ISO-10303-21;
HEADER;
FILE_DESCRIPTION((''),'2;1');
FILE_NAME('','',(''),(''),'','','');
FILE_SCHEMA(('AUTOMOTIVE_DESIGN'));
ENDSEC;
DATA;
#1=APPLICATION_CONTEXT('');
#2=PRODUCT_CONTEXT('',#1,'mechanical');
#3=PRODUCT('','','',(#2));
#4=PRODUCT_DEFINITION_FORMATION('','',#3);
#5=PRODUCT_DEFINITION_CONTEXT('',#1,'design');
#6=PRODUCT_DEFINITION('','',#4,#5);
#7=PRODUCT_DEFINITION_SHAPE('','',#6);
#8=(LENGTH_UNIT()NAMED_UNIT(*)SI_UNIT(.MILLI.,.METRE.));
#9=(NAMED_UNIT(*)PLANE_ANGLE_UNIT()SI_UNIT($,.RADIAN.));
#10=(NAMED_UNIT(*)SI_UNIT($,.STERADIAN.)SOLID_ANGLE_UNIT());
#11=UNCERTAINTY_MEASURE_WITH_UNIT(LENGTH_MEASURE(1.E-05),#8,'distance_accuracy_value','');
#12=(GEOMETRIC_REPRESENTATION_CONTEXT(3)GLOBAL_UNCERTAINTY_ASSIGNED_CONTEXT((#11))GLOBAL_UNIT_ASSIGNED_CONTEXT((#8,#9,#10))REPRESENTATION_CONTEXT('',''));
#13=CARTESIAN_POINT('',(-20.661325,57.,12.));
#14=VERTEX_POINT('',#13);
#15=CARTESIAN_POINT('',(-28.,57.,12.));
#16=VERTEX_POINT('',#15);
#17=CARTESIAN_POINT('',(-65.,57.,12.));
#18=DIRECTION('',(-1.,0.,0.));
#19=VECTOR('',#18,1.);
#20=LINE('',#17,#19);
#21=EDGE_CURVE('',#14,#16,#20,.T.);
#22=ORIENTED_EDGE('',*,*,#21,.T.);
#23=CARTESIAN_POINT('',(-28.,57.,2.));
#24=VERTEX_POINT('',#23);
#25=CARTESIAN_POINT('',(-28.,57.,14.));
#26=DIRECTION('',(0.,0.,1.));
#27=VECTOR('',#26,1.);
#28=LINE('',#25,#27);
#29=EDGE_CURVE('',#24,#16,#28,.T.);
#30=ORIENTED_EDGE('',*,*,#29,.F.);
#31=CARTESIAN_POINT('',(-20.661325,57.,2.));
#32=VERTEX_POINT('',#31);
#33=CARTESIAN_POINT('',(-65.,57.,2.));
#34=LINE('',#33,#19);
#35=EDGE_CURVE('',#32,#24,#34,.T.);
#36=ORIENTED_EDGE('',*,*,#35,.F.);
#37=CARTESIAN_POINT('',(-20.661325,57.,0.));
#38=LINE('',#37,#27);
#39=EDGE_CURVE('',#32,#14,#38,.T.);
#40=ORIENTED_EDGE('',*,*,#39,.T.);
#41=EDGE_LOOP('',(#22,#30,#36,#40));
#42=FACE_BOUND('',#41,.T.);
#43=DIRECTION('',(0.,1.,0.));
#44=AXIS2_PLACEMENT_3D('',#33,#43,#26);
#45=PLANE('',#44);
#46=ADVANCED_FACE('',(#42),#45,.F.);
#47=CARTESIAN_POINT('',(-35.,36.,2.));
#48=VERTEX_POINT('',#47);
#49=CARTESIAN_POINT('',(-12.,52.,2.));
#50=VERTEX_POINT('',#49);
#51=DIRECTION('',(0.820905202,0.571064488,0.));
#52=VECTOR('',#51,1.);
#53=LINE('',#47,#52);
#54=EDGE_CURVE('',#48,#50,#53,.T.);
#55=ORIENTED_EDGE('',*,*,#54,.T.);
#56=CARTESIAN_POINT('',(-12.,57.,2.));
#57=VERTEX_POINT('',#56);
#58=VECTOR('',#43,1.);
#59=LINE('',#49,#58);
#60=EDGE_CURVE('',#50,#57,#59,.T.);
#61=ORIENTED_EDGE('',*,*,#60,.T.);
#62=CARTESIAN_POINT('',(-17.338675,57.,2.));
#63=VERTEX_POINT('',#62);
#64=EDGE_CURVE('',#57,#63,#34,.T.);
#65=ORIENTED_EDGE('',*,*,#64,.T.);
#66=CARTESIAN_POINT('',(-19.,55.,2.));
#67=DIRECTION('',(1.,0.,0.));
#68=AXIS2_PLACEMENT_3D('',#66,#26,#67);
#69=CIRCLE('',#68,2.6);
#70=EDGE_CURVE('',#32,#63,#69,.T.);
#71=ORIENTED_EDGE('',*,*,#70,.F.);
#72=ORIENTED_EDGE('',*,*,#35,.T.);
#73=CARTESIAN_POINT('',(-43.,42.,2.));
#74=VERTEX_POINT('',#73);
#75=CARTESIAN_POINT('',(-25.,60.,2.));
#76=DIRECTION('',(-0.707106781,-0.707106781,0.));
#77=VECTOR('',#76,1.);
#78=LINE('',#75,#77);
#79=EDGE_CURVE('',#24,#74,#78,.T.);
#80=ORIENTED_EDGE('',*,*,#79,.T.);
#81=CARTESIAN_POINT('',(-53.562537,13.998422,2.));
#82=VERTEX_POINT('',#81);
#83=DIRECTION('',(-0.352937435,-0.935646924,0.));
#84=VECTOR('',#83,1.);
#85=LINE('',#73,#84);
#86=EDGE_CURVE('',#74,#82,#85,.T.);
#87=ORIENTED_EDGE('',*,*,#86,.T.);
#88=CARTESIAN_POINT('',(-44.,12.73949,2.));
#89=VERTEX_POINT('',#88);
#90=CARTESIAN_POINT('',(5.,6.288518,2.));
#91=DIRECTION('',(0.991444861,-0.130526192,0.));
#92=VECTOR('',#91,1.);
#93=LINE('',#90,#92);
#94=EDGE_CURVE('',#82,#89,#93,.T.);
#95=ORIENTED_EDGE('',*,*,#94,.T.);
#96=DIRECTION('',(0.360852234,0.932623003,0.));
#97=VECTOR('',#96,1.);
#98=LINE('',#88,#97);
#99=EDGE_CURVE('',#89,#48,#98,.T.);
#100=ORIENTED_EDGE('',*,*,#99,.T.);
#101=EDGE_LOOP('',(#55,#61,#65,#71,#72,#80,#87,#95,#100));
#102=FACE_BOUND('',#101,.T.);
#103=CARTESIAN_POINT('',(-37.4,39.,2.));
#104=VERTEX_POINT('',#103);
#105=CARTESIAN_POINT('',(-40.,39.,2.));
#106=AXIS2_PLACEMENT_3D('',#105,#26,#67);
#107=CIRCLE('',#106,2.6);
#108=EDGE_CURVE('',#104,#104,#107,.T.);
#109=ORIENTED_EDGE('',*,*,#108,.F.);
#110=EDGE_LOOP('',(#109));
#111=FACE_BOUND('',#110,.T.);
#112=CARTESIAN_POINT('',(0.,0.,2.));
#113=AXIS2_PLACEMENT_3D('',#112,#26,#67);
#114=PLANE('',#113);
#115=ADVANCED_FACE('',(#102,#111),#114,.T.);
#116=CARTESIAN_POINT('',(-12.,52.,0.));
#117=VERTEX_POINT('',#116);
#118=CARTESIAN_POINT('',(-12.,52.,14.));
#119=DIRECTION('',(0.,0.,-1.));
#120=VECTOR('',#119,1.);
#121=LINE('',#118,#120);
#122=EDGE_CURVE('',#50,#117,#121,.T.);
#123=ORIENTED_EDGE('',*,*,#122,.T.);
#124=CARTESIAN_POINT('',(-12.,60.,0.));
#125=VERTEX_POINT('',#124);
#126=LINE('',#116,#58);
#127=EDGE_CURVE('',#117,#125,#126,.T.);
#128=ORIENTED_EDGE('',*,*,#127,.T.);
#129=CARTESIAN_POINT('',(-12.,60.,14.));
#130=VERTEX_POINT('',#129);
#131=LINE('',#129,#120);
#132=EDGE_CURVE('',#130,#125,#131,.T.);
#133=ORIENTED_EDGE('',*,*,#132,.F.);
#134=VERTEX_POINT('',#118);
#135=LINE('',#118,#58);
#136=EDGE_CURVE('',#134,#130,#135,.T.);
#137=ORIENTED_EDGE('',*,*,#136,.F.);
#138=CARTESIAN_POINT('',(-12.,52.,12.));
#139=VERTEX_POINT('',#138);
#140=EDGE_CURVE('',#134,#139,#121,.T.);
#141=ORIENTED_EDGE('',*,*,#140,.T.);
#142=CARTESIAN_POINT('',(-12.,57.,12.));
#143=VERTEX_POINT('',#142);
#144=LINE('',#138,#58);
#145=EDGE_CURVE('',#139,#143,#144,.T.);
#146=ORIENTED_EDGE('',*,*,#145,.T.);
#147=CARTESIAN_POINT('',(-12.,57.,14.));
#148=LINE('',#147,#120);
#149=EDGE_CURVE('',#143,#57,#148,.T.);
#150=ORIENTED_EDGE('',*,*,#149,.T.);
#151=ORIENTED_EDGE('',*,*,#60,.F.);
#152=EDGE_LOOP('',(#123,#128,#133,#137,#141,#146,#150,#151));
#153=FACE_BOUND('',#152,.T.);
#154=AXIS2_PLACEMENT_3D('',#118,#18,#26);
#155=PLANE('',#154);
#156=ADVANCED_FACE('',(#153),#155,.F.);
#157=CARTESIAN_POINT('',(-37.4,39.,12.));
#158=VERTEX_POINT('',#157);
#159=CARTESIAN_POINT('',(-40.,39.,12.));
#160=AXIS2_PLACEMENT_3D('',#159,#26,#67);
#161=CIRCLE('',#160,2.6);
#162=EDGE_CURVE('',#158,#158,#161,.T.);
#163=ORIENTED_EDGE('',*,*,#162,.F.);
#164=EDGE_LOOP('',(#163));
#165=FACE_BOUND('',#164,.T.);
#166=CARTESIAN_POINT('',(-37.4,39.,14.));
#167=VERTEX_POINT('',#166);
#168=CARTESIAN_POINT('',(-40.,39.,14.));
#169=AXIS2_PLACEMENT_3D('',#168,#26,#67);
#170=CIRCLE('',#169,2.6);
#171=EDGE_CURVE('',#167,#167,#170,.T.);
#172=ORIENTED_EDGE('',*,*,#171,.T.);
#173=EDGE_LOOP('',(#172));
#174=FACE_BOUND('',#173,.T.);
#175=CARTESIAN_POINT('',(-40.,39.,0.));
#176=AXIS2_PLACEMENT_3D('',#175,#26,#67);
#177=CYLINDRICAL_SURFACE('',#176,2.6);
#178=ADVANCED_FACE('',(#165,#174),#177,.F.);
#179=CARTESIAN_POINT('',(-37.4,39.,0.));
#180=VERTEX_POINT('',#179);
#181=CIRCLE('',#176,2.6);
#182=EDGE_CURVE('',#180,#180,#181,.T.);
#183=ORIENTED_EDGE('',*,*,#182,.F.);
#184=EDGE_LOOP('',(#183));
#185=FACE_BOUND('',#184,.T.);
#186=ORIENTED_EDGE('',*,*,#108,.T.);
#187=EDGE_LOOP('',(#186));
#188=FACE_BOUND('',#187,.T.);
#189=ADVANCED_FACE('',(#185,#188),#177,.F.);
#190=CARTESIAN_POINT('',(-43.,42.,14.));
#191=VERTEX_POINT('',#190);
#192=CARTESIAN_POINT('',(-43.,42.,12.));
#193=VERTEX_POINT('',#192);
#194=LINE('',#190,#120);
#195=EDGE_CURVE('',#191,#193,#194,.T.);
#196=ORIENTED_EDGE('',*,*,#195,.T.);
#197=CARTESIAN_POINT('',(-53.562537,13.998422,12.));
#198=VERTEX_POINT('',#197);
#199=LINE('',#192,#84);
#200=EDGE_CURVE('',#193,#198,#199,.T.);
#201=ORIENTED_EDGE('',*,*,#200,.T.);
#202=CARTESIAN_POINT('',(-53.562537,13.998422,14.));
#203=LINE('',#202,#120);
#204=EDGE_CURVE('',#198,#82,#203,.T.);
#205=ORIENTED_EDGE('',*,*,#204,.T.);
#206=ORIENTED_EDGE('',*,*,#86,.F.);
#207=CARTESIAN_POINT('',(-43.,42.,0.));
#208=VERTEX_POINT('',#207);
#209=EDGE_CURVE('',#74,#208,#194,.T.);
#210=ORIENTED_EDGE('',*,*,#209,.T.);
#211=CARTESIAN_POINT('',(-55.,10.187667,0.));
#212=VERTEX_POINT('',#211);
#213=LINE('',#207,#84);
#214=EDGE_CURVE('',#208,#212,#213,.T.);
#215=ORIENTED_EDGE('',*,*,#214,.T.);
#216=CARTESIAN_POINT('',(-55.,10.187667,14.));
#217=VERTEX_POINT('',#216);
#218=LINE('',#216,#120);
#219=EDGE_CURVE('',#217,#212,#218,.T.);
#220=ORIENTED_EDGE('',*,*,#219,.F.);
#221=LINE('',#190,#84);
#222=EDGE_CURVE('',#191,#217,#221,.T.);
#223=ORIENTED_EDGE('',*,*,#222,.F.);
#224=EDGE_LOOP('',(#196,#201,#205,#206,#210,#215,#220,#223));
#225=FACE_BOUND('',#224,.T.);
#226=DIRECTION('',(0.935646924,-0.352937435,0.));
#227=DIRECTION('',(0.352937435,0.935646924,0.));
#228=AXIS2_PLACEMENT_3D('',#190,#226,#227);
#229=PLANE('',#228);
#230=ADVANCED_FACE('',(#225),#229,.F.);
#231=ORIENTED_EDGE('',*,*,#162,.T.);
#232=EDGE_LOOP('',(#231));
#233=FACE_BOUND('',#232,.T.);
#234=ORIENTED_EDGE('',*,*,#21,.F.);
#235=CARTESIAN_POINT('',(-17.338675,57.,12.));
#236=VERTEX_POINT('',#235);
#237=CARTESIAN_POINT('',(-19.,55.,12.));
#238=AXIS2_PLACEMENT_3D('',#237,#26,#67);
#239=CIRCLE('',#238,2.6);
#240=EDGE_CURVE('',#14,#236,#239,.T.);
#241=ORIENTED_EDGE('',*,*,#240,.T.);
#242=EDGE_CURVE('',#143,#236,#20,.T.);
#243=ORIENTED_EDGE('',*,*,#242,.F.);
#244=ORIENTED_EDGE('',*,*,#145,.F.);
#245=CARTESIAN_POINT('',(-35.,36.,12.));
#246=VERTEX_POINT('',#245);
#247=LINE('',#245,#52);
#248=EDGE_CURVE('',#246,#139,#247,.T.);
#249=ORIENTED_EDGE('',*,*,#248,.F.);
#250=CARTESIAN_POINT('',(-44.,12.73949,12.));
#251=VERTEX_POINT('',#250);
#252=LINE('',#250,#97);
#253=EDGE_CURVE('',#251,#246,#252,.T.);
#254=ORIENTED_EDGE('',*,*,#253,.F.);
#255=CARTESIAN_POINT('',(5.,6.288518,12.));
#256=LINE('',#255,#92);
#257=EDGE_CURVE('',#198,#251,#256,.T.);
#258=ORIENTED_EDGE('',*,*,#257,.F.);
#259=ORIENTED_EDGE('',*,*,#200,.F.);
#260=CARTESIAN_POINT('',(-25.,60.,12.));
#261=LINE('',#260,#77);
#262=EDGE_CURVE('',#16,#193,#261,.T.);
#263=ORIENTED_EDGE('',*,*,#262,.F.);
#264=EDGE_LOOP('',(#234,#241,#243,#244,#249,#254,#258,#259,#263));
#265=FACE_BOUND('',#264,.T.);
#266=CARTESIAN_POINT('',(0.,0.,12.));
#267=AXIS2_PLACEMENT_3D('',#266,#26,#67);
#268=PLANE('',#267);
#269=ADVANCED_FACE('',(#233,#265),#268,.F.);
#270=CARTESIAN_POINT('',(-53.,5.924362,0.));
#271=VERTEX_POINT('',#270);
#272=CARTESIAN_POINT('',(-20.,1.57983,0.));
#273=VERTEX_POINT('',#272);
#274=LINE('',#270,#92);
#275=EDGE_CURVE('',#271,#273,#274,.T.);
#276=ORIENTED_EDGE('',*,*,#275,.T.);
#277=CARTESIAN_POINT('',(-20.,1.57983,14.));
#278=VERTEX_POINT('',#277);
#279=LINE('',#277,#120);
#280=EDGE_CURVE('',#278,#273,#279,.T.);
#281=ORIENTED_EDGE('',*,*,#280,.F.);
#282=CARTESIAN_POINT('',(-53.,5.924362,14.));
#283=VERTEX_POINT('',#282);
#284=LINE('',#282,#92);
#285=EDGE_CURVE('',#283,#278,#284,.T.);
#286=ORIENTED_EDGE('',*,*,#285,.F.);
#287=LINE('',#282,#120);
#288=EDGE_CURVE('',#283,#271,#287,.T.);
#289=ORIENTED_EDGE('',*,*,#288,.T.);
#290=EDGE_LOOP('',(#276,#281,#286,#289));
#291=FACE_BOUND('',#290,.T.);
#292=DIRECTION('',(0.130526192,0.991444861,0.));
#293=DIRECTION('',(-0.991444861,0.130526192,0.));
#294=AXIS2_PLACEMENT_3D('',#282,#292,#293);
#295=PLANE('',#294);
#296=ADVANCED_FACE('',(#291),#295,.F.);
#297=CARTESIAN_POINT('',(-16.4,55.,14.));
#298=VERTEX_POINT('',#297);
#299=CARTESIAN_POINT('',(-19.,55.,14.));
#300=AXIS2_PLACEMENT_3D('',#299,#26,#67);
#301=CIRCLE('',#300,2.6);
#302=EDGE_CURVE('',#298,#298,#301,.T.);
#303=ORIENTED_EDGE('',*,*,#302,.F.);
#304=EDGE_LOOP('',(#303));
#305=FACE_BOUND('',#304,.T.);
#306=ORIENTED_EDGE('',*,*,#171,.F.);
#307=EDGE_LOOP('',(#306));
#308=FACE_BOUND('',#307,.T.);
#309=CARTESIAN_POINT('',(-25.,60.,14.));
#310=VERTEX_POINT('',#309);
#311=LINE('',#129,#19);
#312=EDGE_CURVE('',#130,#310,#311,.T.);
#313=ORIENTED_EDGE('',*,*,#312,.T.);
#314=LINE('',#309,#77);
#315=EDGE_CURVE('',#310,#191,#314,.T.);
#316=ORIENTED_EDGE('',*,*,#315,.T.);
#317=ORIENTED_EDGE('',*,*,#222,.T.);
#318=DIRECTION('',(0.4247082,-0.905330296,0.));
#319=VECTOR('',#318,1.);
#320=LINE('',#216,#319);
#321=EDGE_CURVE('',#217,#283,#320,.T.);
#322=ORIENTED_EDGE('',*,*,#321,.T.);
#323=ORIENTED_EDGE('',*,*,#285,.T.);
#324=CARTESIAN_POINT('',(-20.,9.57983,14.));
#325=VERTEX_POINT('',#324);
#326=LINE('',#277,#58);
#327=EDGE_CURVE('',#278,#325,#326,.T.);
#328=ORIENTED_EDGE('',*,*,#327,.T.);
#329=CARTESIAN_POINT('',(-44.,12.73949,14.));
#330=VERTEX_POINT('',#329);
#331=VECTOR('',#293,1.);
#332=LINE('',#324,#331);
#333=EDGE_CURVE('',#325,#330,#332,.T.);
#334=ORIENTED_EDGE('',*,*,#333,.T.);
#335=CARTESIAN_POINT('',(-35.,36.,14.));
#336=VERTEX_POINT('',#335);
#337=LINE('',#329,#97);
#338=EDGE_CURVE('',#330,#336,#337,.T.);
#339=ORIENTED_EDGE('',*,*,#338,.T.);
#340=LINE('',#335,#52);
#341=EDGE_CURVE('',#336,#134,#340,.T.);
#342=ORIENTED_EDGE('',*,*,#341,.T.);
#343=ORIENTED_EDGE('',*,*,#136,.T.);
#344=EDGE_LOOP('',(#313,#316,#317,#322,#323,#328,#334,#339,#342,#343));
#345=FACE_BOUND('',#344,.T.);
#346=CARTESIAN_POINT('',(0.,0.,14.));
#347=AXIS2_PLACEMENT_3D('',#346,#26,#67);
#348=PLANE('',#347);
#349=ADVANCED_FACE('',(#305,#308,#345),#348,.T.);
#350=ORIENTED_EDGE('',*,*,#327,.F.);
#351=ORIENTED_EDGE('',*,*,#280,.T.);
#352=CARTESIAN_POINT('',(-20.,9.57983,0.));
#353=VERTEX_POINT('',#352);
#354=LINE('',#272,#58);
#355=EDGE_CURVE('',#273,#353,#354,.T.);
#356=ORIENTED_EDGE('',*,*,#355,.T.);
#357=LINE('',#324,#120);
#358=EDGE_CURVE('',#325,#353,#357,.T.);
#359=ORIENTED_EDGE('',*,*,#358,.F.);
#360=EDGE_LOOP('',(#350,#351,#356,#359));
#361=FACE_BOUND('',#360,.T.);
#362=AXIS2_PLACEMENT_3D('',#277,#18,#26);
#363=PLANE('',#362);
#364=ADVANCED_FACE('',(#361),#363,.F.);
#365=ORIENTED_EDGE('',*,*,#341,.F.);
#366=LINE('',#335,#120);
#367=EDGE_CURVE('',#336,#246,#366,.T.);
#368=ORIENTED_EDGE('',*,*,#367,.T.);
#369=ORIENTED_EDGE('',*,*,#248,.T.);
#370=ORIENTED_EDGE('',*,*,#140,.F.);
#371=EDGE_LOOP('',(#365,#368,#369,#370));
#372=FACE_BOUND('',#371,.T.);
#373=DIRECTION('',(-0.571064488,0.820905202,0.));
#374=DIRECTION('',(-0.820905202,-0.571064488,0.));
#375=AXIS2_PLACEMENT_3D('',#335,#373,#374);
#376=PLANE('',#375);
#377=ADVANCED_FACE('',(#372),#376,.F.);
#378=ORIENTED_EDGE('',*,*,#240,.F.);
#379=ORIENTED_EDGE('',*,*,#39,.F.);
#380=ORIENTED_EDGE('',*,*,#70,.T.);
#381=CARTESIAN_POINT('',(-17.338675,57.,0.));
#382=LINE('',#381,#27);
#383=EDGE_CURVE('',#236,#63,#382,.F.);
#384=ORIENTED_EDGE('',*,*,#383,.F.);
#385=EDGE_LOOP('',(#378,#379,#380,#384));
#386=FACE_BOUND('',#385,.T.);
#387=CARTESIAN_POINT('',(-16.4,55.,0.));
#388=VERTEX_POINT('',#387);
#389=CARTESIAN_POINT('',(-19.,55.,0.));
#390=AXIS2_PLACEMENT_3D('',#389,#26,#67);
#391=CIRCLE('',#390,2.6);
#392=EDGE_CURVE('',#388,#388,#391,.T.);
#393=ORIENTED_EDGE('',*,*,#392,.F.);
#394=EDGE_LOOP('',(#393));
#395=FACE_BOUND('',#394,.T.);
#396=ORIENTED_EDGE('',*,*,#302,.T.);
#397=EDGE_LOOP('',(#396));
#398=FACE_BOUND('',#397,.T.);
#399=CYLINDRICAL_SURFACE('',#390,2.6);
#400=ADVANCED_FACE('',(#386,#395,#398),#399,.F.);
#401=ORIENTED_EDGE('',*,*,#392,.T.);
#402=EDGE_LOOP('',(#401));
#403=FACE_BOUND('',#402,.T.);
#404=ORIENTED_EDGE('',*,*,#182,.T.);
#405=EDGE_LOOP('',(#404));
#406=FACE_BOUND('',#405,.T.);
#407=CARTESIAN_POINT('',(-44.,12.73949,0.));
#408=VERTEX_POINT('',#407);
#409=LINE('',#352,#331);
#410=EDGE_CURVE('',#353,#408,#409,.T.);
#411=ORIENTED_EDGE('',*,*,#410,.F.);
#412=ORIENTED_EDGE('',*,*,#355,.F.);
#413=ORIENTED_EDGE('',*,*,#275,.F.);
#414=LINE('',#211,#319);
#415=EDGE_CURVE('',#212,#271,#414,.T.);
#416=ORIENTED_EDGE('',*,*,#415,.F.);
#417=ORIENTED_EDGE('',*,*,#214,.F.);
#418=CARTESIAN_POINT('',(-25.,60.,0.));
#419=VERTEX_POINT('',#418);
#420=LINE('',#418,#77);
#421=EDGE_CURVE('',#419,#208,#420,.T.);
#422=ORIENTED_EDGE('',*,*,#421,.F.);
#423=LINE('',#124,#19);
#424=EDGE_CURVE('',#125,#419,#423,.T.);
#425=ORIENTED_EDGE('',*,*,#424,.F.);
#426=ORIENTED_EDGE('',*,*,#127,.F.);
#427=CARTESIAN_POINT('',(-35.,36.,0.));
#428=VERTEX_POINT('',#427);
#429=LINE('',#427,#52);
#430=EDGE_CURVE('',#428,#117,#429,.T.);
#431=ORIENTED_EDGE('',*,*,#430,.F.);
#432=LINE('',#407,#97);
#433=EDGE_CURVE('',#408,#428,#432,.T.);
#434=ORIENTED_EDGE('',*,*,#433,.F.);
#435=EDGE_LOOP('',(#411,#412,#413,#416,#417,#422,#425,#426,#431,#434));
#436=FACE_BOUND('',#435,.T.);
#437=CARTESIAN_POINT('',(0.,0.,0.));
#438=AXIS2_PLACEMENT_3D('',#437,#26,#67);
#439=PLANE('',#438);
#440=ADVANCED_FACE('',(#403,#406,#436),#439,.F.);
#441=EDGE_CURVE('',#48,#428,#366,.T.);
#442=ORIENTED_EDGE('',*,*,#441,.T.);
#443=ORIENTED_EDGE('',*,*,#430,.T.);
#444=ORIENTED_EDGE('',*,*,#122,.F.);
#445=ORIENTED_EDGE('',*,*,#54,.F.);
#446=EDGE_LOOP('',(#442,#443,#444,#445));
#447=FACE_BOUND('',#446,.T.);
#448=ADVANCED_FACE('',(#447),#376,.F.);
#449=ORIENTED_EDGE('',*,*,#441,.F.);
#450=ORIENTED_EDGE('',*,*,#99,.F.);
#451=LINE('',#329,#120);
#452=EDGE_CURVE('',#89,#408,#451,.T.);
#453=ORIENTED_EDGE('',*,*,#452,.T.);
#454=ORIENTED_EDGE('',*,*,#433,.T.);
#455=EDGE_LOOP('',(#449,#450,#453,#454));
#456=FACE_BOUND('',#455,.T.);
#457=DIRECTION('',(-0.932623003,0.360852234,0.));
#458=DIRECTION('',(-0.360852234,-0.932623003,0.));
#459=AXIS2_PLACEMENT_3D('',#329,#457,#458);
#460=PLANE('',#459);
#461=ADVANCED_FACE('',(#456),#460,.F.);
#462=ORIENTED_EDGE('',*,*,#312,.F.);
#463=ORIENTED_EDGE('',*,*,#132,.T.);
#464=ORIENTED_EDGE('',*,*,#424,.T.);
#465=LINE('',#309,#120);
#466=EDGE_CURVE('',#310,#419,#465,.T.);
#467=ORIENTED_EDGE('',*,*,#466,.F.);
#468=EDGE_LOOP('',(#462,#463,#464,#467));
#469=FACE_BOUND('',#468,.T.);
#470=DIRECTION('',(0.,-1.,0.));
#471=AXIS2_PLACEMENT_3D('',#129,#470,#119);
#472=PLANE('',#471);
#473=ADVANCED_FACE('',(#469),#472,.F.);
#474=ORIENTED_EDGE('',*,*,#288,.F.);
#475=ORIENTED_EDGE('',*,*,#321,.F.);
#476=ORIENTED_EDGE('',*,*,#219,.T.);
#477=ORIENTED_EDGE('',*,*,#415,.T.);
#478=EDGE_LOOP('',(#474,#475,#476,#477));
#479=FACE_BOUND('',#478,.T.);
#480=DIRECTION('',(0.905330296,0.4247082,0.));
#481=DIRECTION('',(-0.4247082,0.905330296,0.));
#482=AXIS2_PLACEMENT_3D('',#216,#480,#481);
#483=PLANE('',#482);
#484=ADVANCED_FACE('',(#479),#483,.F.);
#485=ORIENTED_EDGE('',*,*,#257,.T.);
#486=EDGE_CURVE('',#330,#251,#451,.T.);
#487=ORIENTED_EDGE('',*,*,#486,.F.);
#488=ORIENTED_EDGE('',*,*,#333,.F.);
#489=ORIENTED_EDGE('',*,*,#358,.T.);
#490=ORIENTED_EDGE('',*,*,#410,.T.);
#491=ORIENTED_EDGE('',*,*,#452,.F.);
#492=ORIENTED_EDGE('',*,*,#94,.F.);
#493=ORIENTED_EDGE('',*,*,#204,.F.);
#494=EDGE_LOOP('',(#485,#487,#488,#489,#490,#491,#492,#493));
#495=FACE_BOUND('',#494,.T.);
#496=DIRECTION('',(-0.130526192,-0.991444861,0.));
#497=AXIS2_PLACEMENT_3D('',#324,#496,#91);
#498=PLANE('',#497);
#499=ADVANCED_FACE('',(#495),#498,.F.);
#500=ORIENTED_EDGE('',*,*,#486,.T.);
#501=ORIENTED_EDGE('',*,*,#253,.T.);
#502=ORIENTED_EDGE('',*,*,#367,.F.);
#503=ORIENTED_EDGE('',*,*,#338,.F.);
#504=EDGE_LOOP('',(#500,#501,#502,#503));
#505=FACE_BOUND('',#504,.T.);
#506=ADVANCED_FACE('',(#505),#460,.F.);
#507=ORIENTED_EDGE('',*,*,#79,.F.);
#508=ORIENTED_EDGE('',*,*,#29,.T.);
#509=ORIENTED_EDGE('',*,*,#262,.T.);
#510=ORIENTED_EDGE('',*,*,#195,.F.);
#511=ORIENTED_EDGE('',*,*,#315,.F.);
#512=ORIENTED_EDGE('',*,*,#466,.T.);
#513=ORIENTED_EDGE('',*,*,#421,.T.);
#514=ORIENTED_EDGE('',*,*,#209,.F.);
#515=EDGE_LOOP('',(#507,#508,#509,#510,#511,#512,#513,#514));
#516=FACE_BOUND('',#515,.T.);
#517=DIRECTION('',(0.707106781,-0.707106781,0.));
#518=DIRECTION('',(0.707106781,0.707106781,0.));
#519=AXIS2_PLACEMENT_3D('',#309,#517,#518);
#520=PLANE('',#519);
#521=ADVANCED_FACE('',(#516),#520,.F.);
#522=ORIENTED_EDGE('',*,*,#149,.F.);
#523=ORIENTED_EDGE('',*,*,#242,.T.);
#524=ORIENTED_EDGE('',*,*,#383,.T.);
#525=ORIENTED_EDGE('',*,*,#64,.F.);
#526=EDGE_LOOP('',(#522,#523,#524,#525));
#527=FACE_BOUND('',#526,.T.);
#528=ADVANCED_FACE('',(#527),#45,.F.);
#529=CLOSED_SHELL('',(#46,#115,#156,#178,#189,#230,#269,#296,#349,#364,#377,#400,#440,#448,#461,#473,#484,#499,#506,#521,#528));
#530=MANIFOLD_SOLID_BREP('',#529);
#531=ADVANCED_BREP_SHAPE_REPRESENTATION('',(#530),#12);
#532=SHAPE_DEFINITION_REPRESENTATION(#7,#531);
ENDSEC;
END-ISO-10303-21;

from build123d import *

# Parameters (mm, degrees)
EXTRUDE_2_DEPTH                = 14
FORK_ABOVE_MOUNTING_FOOT_DEPTH = 5
SKETCH_4_R                     = 2.6
OUTER_PIVOT_BORE_DEPTH         = 83.58934556
SKETCH_5_R                     = 2.6
UPPER_HINGE_BORE_DEPTH         = 83.58934556


with BuildPart() as part:
    # 草图1 → Extrude 2 (new body)
    with BuildSketch(Plane.XY):
        Polygon((-12, 60), (-25, 60), (-43, 42), (-55, 10.187667387), (-53, 5.924362391), (-20, 1.579829971), (-20, 9.579829971), (-44, 12.739489913), (-35, 36), (-12, 52), align=None)
    extrude(amount=EXTRUDE_2_DEPTH)

    # 草图3 → Fork_above_mounting_foot (cut, symmetric)
    with BuildSketch(Plane.XY.offset(7)):
        Polygon((5, 6.288517531), (-65, 15.504192362), (-65, 57), (5, 57), align=None)
    extrude(amount=FORK_ABOVE_MOUNTING_FOOT_DEPTH, both=True, mode=Mode.SUBTRACT)

    # 草图4 → Outer_pivot_bore (cut, through all)
    with BuildSketch(Plane.XY.offset(14)):
        with Locations((-40, 39)):
            Circle(SKETCH_4_R)
    extrude(amount=-OUTER_PIVOT_BORE_DEPTH, mode=Mode.SUBTRACT)

    # 草图5 → Upper_hinge_bore (cut, through all)
    with BuildSketch(Plane.XY.offset(14)):
        with Locations((-19, 55)):
            Circle(SKETCH_5_R)
    extrude(amount=-UPPER_HINGE_BORE_DEPTH, mode=Mode.SUBTRACT)


solid = part.part
